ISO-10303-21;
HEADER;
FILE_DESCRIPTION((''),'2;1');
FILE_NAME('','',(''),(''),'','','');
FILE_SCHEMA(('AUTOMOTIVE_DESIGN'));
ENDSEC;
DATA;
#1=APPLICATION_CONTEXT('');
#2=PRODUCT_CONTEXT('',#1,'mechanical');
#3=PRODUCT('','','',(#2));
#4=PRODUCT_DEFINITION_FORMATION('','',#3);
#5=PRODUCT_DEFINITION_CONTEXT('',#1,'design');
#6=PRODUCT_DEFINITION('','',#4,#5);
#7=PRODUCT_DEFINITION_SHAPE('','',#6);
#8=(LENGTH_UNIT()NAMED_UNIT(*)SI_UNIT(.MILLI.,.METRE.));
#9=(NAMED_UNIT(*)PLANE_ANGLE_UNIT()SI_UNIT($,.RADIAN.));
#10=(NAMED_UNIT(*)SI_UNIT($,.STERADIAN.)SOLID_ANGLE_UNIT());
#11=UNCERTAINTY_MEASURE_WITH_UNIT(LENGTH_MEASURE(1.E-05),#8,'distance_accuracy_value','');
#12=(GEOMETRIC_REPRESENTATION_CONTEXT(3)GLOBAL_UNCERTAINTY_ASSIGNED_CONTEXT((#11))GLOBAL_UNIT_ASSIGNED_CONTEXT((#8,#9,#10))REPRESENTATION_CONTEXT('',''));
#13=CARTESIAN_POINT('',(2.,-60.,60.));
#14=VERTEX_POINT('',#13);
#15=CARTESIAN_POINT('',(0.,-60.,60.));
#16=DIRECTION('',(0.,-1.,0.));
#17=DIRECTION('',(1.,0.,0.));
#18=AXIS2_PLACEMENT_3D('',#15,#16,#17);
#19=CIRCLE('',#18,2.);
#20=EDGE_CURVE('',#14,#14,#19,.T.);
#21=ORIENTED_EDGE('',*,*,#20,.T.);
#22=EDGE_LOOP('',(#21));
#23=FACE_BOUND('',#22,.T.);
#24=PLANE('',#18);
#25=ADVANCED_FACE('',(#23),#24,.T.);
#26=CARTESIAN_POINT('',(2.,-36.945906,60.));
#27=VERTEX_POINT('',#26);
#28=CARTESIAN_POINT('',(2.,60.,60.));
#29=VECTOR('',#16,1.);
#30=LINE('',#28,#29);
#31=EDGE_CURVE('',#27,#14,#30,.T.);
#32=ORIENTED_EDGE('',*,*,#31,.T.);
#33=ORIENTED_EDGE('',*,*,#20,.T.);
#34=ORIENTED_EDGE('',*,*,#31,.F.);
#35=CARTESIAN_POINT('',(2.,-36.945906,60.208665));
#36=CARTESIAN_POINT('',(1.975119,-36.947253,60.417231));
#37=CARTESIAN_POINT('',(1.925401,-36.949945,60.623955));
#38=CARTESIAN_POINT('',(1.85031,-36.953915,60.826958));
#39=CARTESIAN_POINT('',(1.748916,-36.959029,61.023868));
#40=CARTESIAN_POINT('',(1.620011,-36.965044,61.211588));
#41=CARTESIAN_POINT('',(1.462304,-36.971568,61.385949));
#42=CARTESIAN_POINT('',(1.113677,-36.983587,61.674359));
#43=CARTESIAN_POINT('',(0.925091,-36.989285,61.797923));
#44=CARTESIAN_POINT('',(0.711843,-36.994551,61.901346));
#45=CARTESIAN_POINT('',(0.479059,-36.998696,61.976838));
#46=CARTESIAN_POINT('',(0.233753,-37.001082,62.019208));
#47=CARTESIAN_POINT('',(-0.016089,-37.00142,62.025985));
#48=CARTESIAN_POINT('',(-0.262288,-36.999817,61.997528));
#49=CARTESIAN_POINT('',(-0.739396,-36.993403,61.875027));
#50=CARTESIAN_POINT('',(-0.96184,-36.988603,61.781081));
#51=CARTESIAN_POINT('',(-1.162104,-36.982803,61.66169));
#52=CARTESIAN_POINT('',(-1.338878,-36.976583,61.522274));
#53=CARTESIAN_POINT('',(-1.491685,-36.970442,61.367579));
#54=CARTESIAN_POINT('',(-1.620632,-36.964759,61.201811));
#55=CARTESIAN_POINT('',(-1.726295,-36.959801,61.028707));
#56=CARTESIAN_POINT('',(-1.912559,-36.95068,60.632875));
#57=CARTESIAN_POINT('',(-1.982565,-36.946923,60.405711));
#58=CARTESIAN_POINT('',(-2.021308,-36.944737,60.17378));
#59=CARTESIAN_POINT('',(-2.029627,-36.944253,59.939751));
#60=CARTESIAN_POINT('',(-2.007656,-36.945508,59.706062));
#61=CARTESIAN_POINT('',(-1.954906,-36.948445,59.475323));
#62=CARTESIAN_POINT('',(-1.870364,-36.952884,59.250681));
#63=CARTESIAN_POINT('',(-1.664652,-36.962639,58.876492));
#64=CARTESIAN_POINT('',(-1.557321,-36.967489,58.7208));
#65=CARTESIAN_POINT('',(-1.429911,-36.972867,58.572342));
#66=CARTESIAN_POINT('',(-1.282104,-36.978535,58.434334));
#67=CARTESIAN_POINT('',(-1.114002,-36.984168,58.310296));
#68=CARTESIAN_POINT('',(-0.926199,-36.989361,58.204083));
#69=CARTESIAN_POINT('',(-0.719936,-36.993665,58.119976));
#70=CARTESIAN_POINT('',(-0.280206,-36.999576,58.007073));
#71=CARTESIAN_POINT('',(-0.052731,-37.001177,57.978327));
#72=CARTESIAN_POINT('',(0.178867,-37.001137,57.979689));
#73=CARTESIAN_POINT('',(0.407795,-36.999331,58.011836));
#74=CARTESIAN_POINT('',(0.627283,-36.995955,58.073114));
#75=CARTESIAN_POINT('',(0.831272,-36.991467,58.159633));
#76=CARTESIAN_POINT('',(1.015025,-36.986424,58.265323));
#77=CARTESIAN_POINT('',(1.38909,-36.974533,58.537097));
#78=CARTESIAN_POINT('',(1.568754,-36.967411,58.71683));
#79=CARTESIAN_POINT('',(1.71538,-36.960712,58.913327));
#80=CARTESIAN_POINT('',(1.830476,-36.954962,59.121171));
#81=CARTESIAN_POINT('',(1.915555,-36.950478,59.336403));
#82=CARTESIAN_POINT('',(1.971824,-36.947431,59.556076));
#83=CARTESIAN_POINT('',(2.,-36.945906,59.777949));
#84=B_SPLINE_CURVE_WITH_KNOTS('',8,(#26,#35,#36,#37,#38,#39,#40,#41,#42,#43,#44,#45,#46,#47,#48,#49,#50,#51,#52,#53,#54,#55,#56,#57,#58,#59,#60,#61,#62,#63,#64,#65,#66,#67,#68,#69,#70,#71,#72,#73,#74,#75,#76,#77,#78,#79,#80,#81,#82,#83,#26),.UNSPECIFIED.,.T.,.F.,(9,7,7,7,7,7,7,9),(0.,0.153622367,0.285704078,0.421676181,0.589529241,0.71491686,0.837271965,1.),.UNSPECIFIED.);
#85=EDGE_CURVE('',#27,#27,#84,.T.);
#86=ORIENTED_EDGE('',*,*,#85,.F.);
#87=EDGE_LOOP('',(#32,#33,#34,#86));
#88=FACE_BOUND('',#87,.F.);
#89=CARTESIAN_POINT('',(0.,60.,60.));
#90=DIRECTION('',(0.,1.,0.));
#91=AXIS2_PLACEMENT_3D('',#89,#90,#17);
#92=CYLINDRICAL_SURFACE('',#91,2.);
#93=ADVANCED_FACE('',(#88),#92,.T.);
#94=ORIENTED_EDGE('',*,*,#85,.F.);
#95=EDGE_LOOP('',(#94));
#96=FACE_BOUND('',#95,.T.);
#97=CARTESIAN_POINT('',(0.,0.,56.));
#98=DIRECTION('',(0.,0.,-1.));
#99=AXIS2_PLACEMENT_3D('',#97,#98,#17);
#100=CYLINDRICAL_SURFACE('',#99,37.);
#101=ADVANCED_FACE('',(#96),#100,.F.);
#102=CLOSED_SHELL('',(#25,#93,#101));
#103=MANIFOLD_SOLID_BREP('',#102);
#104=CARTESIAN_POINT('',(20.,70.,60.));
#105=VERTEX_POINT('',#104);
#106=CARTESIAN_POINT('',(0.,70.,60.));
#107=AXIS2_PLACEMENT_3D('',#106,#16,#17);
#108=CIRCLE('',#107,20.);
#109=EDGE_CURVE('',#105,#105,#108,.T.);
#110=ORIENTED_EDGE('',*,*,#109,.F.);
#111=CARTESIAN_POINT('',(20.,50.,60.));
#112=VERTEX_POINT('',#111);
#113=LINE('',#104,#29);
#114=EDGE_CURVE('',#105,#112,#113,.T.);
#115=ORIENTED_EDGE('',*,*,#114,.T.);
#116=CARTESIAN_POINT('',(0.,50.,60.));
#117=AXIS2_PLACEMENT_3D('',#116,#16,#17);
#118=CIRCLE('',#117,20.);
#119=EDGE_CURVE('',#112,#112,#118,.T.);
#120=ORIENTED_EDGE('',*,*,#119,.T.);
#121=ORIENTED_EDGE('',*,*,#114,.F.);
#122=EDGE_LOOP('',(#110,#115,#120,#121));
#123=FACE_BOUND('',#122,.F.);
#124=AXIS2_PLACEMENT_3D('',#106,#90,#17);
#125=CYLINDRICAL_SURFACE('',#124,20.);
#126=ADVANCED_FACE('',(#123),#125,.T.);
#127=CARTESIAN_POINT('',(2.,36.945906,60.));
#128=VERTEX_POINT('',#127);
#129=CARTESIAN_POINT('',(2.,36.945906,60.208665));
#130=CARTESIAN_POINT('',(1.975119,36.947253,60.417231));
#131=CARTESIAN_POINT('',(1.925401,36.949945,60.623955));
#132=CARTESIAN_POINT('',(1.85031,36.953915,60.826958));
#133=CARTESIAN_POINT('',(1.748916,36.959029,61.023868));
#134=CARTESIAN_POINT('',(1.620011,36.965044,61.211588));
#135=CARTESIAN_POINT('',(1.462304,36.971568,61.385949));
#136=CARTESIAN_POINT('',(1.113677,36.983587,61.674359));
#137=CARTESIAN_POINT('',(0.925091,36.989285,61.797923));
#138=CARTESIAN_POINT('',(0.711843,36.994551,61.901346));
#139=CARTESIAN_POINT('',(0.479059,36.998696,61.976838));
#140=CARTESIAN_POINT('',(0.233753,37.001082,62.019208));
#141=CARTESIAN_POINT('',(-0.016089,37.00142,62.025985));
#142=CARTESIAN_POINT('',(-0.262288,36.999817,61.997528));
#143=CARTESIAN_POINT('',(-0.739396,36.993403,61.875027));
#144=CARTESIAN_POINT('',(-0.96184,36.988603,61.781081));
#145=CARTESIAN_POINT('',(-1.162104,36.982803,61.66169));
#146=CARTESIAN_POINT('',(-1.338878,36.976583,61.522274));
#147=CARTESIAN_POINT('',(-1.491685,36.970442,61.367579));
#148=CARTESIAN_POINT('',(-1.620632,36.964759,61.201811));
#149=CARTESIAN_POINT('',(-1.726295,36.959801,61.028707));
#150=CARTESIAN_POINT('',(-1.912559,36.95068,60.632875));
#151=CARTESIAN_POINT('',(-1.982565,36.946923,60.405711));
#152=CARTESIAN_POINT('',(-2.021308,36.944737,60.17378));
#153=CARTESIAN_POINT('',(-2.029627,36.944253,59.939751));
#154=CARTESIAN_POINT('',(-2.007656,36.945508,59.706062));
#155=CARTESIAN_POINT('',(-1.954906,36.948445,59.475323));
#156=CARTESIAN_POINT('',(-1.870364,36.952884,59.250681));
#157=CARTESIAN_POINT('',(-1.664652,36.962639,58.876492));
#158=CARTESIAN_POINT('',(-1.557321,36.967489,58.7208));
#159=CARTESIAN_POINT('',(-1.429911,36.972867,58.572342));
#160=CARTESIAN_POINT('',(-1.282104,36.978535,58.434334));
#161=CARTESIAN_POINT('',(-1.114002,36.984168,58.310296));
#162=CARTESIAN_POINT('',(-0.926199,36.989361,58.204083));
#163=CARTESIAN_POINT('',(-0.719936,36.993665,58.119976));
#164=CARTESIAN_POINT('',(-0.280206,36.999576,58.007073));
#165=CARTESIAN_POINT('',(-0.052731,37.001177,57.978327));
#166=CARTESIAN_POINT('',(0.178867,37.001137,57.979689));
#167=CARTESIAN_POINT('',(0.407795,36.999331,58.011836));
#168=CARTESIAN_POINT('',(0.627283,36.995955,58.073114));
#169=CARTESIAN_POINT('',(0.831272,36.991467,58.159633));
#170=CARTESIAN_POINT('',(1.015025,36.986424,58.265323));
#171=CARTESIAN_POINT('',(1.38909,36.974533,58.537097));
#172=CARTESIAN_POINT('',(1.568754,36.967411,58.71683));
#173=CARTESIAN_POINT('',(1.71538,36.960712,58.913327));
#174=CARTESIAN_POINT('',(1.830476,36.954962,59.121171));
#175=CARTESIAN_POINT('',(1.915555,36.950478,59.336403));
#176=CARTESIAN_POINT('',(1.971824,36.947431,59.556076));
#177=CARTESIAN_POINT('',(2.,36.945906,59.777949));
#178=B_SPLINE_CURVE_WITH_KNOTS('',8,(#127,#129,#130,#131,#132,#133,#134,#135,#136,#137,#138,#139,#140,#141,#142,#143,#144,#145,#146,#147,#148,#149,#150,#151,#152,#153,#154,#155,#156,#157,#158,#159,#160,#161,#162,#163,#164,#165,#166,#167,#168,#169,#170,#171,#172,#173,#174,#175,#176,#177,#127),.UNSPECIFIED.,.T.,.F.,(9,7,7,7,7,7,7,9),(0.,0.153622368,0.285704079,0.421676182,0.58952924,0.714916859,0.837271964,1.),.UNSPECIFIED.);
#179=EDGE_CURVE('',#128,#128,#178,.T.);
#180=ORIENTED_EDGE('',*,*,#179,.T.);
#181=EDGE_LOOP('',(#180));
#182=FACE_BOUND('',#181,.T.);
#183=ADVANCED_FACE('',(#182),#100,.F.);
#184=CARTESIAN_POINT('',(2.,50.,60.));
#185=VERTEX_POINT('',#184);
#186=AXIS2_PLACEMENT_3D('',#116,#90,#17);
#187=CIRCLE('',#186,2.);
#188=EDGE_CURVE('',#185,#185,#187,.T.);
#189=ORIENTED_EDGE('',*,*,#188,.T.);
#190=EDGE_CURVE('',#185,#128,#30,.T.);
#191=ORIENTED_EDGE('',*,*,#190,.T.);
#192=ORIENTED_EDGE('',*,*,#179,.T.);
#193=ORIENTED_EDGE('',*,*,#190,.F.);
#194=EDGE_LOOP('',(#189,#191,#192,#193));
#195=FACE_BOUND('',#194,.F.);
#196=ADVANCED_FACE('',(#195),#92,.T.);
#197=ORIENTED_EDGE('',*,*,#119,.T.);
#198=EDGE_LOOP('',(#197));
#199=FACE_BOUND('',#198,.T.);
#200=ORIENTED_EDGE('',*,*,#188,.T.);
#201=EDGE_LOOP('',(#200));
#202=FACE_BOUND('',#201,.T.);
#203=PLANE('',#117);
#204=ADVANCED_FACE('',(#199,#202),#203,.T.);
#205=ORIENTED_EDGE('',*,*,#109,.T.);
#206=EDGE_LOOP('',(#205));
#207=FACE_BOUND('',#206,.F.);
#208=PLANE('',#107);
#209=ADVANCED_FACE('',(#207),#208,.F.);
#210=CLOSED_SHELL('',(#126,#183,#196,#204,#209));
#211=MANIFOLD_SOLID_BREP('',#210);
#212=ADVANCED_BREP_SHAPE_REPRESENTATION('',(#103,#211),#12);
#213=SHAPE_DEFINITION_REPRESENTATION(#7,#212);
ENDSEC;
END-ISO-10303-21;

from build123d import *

# Parameters (mm, degrees)
CYLINDER004_R     = 37
CYLINDER004_DEPTH = 30
CYLINDER003_R     = 2
CYLINDER003_DEPTH = 120
CYLINDER005_R     = 20
CYLINDER005_DEPTH = 20


with BuildPart() as cylinder004:
    # Cylinder004 → Cylinder004 (new body)
    with BuildSketch(Plane.XY.offset(56)):
        Circle(CYLINDER004_R)
    extrude(amount=CYLINDER004_DEPTH)


with BuildPart() as cut001:
    # Cylinder003 → Cylinder003 (new body)
    with BuildSketch(Plane(origin=(0, 60, 60), x_dir=(1, 0, 0), z_dir=(0, -1, 0))):
        Circle(CYLINDER003_R)
    extrude(amount=CYLINDER003_DEPTH)

    # Cut001: cut Cylinder004
    add(cylinder004.part, mode=Mode.SUBTRACT)


with BuildPart() as eje:
    # Cylinder005 → Cylinder005 (new body)
    with BuildSketch(Plane(origin=(0, 70, 60), x_dir=(1, 0, 0), z_dir=(0, -1, 0))):
        Circle(CYLINDER005_R)
    extrude(amount=CYLINDER005_DEPTH)

    # Fusion: union Cut001
    add(cut001.part)


solid = eje.part
